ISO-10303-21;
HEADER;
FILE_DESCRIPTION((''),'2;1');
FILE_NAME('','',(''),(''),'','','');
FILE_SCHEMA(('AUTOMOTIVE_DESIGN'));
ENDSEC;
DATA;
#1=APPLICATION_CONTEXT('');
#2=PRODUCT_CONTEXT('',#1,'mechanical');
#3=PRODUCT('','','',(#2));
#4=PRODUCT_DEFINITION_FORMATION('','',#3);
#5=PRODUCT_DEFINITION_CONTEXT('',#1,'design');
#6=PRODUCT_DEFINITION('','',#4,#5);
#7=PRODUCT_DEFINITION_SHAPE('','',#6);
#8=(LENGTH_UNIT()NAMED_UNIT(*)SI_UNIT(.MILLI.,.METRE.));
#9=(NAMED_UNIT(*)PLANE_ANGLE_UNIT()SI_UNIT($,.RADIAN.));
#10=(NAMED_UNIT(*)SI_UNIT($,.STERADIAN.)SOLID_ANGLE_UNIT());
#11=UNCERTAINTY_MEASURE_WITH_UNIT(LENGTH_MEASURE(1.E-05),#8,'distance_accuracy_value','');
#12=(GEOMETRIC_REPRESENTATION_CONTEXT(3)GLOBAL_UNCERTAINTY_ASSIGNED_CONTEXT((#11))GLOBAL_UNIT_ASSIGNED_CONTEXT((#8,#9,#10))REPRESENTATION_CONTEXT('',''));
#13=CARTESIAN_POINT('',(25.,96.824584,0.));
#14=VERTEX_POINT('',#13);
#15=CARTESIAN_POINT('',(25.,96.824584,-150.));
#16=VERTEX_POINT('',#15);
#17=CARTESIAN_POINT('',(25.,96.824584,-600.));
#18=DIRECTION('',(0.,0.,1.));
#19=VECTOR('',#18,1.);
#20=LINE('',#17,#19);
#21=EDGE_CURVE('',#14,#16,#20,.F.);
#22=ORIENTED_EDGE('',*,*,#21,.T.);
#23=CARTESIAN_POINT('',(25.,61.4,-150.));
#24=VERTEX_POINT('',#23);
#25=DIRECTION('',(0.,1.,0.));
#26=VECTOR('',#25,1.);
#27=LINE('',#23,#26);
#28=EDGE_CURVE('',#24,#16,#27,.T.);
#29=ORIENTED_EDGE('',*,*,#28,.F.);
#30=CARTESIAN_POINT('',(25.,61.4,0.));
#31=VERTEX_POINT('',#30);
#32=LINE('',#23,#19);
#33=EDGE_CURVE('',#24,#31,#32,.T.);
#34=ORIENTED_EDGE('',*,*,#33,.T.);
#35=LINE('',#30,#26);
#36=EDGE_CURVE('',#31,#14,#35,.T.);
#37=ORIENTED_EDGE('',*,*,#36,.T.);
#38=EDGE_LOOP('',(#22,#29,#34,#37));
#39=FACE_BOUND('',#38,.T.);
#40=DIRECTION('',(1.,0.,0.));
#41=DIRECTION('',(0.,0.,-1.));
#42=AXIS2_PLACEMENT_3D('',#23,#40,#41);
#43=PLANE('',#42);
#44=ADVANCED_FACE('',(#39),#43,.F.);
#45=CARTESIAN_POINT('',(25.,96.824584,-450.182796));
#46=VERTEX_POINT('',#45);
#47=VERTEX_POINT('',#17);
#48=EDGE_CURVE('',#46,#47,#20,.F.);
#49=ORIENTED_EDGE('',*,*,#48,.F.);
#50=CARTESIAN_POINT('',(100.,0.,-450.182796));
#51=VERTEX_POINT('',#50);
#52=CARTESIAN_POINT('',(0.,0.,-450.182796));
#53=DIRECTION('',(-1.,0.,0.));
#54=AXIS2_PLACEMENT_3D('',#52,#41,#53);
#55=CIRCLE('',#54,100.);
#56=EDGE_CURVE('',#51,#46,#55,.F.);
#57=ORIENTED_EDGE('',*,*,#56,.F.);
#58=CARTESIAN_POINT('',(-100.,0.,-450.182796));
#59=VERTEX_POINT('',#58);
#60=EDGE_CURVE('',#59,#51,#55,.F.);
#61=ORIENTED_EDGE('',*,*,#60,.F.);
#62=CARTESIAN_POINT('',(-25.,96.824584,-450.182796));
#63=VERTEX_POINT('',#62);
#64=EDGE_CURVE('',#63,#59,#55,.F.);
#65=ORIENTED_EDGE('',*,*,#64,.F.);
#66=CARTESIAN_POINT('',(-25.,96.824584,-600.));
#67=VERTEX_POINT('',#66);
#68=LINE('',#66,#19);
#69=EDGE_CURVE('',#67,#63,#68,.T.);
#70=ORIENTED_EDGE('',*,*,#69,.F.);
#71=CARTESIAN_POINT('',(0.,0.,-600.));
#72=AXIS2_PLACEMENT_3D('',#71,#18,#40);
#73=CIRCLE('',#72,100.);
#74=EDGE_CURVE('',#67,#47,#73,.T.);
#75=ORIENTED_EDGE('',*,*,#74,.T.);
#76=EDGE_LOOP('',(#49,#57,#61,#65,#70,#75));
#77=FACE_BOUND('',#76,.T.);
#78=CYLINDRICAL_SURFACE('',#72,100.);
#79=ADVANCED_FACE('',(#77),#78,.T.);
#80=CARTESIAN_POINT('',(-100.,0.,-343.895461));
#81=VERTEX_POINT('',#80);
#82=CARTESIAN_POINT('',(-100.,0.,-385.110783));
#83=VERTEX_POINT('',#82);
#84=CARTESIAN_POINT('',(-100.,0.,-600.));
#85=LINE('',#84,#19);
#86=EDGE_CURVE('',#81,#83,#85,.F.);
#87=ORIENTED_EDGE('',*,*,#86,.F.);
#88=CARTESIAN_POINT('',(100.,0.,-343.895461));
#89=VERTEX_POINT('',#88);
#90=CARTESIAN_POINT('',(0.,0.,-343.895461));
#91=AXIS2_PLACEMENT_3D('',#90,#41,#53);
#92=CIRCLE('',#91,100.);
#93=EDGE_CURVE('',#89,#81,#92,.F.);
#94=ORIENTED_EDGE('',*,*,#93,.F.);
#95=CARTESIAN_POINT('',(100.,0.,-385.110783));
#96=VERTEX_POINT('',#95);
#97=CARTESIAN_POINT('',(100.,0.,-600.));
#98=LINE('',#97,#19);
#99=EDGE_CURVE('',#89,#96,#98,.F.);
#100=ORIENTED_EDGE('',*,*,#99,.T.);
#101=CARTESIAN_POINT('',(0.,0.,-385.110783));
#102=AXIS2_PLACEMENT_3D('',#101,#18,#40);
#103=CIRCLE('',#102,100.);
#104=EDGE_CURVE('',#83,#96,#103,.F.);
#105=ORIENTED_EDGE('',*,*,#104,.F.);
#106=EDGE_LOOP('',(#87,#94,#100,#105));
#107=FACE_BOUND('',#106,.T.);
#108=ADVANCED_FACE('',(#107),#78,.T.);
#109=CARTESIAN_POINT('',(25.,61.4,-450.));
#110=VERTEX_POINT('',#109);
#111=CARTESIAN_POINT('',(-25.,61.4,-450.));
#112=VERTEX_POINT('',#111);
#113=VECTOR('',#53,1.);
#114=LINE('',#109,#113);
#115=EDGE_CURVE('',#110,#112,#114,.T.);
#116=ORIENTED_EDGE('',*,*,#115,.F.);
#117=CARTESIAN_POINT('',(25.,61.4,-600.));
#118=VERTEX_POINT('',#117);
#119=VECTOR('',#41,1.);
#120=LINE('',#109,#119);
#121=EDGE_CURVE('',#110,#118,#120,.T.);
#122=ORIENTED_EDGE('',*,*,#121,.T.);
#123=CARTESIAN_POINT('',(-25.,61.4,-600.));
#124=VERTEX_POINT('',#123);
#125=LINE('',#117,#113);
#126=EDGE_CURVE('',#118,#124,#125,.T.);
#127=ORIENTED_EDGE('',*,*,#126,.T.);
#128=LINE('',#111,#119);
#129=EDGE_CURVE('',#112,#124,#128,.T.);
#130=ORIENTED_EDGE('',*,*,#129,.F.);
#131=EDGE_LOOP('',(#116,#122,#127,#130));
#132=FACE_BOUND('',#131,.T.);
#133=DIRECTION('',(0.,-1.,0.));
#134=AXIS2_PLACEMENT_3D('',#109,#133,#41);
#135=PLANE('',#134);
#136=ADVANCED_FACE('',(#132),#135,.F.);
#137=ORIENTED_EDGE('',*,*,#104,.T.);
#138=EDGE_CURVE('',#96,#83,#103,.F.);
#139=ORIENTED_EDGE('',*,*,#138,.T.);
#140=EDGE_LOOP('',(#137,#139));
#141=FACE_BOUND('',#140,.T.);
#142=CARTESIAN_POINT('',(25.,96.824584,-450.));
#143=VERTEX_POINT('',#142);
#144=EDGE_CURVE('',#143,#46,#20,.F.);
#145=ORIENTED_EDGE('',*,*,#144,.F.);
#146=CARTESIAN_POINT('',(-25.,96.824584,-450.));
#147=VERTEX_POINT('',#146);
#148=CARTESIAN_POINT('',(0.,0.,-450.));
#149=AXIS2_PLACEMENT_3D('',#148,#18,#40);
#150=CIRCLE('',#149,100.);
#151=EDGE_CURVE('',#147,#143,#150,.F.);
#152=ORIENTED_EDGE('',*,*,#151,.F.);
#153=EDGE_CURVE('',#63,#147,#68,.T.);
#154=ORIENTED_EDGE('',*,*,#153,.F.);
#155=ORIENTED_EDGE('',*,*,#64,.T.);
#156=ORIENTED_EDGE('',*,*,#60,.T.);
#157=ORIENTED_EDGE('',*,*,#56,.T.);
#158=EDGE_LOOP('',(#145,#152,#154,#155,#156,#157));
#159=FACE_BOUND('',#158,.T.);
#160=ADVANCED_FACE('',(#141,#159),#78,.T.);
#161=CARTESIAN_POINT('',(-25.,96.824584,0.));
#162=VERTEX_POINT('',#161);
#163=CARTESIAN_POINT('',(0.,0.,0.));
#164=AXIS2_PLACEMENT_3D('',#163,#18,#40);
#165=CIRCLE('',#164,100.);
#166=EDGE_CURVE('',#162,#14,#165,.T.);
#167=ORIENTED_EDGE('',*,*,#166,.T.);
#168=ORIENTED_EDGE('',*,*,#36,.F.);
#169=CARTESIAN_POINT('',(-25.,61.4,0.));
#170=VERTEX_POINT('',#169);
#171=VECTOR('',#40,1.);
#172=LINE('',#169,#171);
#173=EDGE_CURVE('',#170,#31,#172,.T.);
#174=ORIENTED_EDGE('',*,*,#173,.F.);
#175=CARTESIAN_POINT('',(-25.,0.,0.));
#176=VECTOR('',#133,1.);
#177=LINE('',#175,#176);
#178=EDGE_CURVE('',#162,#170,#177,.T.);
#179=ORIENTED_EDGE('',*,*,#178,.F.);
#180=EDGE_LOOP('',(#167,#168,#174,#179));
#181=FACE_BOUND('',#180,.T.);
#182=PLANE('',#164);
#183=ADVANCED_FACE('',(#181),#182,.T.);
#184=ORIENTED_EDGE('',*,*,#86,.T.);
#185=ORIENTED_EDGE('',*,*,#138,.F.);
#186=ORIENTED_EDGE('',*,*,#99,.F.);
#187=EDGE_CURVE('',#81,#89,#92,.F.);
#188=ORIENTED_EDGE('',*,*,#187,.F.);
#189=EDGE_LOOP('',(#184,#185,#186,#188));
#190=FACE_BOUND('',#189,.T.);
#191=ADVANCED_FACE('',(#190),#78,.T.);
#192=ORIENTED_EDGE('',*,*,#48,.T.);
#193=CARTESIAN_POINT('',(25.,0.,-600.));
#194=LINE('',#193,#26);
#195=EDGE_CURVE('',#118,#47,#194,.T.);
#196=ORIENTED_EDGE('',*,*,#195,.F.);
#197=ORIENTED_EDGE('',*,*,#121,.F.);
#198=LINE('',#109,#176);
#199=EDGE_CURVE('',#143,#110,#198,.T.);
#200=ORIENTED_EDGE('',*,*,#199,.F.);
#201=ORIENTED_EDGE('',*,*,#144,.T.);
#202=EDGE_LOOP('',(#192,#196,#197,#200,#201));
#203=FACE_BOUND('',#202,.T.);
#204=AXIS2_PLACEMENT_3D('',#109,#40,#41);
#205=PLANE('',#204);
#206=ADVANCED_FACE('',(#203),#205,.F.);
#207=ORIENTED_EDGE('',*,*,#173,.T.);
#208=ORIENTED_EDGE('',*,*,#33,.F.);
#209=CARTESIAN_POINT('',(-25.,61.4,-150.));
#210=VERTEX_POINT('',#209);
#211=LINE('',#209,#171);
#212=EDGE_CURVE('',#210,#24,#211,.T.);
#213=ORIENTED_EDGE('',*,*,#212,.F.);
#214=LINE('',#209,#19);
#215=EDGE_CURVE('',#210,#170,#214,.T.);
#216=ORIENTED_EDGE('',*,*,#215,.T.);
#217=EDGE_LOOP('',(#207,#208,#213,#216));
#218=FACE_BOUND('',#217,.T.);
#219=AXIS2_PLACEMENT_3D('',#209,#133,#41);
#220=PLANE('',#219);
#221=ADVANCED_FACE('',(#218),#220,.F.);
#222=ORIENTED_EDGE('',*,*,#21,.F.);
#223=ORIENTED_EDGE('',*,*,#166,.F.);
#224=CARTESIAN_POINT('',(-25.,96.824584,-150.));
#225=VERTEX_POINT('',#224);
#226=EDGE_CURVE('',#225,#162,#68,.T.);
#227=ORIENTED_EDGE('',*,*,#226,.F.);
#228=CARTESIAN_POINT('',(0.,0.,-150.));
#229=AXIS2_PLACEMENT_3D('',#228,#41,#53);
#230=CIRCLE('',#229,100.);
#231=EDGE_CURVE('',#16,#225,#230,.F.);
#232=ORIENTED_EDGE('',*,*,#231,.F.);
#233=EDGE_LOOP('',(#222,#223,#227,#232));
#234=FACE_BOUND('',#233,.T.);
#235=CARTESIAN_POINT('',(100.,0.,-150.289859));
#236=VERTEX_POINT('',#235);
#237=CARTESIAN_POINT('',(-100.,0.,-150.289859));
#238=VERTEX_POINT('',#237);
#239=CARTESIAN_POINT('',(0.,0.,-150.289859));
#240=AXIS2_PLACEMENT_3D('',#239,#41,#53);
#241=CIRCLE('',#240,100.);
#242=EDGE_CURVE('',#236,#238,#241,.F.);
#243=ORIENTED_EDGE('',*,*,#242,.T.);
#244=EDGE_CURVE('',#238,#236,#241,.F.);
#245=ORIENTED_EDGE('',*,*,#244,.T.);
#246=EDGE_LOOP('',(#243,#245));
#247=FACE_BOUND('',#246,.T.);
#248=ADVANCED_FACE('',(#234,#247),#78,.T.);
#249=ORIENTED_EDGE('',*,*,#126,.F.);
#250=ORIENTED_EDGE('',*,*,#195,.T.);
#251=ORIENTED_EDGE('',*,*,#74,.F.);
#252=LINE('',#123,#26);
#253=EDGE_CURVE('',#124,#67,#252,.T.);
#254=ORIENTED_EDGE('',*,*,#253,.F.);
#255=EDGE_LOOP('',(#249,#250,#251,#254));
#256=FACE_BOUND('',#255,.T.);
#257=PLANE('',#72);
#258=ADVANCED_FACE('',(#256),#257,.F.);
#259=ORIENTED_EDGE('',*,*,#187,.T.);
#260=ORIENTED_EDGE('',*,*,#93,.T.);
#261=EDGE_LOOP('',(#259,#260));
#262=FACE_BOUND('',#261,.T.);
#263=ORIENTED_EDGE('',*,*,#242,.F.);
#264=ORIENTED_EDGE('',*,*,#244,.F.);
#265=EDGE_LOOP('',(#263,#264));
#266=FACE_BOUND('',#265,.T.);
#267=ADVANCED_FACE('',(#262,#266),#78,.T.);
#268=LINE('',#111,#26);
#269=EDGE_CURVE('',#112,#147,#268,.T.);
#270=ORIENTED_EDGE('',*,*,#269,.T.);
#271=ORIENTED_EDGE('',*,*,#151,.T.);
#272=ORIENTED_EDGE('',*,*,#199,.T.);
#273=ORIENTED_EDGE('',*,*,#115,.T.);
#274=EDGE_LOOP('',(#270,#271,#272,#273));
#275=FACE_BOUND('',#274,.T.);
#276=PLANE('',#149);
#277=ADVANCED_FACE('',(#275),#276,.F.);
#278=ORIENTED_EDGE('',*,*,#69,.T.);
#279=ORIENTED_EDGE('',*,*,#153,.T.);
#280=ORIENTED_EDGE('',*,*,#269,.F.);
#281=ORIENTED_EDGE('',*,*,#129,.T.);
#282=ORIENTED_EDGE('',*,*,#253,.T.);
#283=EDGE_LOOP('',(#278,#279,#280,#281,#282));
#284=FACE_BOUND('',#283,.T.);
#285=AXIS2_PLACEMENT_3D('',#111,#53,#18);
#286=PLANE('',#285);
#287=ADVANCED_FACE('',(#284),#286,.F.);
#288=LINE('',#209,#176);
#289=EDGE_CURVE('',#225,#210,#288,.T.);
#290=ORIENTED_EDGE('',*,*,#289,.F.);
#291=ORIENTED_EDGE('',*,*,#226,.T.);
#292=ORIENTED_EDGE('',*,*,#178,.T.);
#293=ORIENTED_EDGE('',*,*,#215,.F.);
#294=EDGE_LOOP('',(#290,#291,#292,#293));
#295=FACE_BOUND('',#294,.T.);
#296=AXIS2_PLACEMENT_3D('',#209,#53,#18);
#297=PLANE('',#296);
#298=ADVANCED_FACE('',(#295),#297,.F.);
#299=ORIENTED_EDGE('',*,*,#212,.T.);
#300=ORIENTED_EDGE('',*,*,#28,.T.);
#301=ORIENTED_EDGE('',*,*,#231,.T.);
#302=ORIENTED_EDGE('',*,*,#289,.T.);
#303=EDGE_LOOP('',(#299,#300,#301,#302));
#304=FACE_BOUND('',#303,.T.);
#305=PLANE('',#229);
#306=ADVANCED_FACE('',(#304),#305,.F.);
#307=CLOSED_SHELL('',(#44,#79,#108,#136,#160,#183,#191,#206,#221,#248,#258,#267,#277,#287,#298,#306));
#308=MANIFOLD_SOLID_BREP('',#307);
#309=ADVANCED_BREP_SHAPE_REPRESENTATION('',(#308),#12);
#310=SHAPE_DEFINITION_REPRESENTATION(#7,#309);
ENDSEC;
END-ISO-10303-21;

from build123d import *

# Parameters (mm, degrees)
SKETCH1_R           = 100
BOSS_EXTRUDE1_DEPTH = 600
SKETCH2_W           = 50
SKETCH2_H           = 50
CUT_EXTRUDE1_DEPTH  = 150
SKETCH3_W           = 50
SKETCH3_H           = 50
CUT_EXTRUDE2_DEPTH  = 150


with BuildPart() as part:
    # Sketch1 → Boss-Extrude1 (new body)
    with BuildSketch(Plane.XY):
        Circle(SKETCH1_R)
    extrude(amount=-BOSS_EXTRUDE1_DEPTH)

    # Sketch2 → Cut-Extrude1 (cut)
    with BuildSketch(Plane.XY):
        with Locations((0, 86.4)):
            Rectangle(SKETCH2_W, SKETCH2_H)
    extrude(amount=-CUT_EXTRUDE1_DEPTH, mode=Mode.SUBTRACT)

    # Sketch3 → Cut-Extrude2 (cut)
    with BuildSketch(Plane(origin=(0, 0, -600), x_dir=(-1, 0, 0), z_dir=(0, 0, -1))):
        with Locations((0, 86.4)):
            Rectangle(SKETCH3_W, SKETCH3_H)
    extrude(amount=-CUT_EXTRUDE2_DEPTH, mode=Mode.SUBTRACT)


solid = part.part
